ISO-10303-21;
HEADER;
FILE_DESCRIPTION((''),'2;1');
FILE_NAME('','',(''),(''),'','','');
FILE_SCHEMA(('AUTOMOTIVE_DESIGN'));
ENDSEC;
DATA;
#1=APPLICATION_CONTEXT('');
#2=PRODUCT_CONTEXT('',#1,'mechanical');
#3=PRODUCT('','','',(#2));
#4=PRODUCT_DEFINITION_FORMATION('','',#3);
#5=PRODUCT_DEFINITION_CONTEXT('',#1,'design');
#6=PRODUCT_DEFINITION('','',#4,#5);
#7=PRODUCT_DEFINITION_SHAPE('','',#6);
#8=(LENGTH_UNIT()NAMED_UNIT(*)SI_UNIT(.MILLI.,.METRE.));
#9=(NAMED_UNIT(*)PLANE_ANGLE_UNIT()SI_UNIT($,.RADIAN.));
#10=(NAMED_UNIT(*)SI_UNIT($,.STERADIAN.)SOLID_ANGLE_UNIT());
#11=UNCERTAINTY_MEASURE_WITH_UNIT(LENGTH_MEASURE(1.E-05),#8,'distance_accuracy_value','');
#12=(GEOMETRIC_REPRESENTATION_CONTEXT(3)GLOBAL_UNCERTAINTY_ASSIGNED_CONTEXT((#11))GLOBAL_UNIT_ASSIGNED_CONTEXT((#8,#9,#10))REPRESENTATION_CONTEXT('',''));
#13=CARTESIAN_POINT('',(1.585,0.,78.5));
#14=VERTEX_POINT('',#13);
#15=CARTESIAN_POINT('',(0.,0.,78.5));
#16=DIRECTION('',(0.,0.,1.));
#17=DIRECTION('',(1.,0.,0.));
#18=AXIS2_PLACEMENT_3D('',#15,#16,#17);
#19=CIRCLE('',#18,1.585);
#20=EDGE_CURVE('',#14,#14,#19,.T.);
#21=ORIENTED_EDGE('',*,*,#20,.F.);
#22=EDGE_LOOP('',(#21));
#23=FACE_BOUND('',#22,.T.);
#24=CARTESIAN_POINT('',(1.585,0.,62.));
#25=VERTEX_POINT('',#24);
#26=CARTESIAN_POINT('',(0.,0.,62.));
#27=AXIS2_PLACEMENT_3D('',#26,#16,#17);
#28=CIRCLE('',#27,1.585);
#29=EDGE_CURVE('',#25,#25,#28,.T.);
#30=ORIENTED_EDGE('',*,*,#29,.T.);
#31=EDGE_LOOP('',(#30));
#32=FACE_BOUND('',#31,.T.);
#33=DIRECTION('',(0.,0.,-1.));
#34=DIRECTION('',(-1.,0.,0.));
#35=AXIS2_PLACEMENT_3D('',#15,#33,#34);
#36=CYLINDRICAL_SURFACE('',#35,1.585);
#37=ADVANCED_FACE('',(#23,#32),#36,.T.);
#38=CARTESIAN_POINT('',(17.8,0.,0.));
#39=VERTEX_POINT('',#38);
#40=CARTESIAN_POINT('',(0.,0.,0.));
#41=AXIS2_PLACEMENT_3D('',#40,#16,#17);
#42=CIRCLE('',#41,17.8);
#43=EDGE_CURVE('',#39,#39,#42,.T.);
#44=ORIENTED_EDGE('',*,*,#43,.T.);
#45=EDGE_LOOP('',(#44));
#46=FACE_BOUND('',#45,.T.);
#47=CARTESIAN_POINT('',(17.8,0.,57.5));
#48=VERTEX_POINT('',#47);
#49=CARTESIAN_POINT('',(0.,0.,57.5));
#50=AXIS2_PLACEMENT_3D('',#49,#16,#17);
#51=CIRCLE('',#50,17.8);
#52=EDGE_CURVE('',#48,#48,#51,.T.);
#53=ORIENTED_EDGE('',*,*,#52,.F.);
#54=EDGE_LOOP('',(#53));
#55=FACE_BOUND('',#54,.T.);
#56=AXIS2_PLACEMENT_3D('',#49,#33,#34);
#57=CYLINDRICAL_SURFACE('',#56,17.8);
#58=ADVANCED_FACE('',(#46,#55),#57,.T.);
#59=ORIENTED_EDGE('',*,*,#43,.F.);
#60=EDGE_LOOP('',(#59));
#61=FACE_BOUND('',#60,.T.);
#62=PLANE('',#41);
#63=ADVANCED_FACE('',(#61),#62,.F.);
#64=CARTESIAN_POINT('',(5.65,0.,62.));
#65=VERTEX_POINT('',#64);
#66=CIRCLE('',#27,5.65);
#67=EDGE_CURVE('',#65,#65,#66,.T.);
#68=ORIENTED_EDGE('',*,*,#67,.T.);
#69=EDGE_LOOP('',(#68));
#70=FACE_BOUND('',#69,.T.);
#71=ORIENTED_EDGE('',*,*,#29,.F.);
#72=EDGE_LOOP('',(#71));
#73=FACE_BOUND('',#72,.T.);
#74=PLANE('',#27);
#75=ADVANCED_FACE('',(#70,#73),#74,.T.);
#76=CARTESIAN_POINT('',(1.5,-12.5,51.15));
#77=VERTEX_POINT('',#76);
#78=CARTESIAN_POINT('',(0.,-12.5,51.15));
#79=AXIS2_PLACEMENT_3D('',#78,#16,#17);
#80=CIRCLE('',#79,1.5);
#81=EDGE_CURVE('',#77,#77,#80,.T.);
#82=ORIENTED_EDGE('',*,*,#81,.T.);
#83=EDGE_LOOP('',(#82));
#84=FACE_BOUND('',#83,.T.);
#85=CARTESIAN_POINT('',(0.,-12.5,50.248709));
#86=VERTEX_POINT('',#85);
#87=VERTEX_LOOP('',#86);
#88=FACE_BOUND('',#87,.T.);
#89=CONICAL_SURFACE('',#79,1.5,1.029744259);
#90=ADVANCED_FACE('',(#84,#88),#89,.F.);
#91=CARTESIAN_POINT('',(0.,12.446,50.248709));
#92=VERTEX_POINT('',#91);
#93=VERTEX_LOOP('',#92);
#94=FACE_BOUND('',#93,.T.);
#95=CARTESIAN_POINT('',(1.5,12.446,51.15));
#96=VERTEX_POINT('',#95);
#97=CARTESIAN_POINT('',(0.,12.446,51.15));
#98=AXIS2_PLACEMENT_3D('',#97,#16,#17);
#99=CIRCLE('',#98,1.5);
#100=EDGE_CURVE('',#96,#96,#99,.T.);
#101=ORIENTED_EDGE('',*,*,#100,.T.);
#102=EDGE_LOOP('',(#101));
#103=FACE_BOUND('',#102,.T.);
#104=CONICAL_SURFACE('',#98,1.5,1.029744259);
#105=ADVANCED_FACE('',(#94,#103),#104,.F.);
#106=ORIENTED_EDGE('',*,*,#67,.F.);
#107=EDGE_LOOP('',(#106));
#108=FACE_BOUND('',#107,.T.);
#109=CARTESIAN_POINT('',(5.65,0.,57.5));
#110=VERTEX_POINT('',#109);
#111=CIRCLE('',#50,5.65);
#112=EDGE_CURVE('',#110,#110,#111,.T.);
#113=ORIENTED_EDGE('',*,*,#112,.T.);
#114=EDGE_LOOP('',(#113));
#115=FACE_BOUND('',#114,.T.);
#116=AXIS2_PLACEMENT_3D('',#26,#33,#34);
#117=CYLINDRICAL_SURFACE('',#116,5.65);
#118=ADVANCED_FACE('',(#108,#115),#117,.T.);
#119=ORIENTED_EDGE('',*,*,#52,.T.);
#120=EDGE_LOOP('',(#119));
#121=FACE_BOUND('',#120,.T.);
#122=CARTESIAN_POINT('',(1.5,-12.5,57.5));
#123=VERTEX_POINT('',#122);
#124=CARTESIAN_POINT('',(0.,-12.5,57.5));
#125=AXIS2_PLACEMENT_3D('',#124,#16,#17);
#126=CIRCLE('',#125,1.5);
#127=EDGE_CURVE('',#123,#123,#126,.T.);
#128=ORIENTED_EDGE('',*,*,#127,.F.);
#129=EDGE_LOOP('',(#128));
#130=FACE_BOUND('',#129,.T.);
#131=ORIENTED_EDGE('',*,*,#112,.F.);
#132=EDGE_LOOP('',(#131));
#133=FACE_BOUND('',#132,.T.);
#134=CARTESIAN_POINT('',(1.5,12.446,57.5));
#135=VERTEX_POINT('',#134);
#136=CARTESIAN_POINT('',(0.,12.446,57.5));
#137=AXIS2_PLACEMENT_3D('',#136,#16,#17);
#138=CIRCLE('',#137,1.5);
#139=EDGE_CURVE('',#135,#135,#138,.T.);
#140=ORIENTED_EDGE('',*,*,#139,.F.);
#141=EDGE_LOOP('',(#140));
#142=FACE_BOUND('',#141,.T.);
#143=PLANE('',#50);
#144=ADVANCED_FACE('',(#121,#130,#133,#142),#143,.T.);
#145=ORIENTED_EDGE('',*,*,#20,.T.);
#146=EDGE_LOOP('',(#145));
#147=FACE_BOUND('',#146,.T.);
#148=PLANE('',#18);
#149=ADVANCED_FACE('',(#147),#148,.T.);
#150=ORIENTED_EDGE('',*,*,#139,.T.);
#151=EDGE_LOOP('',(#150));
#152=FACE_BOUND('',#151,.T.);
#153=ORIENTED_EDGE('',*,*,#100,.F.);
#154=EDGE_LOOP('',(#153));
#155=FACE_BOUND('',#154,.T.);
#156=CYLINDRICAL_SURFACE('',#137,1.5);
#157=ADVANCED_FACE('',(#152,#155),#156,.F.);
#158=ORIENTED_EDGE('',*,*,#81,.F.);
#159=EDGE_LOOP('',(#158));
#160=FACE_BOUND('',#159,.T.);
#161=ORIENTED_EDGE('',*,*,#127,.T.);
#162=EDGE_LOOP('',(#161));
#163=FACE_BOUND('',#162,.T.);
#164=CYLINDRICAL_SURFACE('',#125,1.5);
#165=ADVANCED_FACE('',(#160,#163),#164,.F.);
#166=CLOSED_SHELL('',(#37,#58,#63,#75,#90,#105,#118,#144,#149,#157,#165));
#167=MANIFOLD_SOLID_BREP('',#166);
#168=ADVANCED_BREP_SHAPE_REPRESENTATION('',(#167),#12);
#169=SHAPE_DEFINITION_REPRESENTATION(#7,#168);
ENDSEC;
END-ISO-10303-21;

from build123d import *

# Parameters (mm, degrees)
SKETCH1_R                    = 17.8
BOSS_EXTRUDE1_DEPTH          = 57.5
SKETCH2_R                    = 5.65
BOSS_EXTRUDE2_DEPTH          = 4.5
SKETCH3_R                    = 1.585
BOSS_EXTRUDE3_DEPTH          = 16.5
F_3_0_3_DIAMETER_HOLE1_D     = 3
F_3_0_3_DIAMETER_HOLE1_DEPTH = 6.35
F_3_0_3_DIAMETER_HOLE1_TIP   = 0.901290929


with BuildPart() as part:
    # Sketch1 → Boss-Extrude1 (new body)
    with BuildSketch(Plane.XY):
        Circle(SKETCH1_R)
    extrude(amount=BOSS_EXTRUDE1_DEPTH)

    # Sketch2 → Boss-Extrude2 (add)
    with BuildSketch(Plane.XY.offset(57.5)):
        Circle(SKETCH2_R)
    extrude(amount=BOSS_EXTRUDE2_DEPTH)

    # Sketch3 → Boss-Extrude3 (add)
    with BuildSketch(Plane.XY.offset(62)):
        Circle(SKETCH3_R)
    extrude(amount=BOSS_EXTRUDE3_DEPTH)

    # Ø3.0 (3) Diameter Hole1
    with Locations(Plane.XY.offset(57.5)):
        with Locations((0, 12.446), (0, -12.5)):
            Hole(F_3_0_3_DIAMETER_HOLE1_D / 2, depth=F_3_0_3_DIAMETER_HOLE1_DEPTH)
            with Locations((0, 0, -(F_3_0_3_DIAMETER_HOLE1_DEPTH + F_3_0_3_DIAMETER_HOLE1_TIP / 2))):  # 118° drill point
                Cone(0, F_3_0_3_DIAMETER_HOLE1_D / 2, F_3_0_3_DIAMETER_HOLE1_TIP, mode=Mode.SUBTRACT)


solid = part.part
